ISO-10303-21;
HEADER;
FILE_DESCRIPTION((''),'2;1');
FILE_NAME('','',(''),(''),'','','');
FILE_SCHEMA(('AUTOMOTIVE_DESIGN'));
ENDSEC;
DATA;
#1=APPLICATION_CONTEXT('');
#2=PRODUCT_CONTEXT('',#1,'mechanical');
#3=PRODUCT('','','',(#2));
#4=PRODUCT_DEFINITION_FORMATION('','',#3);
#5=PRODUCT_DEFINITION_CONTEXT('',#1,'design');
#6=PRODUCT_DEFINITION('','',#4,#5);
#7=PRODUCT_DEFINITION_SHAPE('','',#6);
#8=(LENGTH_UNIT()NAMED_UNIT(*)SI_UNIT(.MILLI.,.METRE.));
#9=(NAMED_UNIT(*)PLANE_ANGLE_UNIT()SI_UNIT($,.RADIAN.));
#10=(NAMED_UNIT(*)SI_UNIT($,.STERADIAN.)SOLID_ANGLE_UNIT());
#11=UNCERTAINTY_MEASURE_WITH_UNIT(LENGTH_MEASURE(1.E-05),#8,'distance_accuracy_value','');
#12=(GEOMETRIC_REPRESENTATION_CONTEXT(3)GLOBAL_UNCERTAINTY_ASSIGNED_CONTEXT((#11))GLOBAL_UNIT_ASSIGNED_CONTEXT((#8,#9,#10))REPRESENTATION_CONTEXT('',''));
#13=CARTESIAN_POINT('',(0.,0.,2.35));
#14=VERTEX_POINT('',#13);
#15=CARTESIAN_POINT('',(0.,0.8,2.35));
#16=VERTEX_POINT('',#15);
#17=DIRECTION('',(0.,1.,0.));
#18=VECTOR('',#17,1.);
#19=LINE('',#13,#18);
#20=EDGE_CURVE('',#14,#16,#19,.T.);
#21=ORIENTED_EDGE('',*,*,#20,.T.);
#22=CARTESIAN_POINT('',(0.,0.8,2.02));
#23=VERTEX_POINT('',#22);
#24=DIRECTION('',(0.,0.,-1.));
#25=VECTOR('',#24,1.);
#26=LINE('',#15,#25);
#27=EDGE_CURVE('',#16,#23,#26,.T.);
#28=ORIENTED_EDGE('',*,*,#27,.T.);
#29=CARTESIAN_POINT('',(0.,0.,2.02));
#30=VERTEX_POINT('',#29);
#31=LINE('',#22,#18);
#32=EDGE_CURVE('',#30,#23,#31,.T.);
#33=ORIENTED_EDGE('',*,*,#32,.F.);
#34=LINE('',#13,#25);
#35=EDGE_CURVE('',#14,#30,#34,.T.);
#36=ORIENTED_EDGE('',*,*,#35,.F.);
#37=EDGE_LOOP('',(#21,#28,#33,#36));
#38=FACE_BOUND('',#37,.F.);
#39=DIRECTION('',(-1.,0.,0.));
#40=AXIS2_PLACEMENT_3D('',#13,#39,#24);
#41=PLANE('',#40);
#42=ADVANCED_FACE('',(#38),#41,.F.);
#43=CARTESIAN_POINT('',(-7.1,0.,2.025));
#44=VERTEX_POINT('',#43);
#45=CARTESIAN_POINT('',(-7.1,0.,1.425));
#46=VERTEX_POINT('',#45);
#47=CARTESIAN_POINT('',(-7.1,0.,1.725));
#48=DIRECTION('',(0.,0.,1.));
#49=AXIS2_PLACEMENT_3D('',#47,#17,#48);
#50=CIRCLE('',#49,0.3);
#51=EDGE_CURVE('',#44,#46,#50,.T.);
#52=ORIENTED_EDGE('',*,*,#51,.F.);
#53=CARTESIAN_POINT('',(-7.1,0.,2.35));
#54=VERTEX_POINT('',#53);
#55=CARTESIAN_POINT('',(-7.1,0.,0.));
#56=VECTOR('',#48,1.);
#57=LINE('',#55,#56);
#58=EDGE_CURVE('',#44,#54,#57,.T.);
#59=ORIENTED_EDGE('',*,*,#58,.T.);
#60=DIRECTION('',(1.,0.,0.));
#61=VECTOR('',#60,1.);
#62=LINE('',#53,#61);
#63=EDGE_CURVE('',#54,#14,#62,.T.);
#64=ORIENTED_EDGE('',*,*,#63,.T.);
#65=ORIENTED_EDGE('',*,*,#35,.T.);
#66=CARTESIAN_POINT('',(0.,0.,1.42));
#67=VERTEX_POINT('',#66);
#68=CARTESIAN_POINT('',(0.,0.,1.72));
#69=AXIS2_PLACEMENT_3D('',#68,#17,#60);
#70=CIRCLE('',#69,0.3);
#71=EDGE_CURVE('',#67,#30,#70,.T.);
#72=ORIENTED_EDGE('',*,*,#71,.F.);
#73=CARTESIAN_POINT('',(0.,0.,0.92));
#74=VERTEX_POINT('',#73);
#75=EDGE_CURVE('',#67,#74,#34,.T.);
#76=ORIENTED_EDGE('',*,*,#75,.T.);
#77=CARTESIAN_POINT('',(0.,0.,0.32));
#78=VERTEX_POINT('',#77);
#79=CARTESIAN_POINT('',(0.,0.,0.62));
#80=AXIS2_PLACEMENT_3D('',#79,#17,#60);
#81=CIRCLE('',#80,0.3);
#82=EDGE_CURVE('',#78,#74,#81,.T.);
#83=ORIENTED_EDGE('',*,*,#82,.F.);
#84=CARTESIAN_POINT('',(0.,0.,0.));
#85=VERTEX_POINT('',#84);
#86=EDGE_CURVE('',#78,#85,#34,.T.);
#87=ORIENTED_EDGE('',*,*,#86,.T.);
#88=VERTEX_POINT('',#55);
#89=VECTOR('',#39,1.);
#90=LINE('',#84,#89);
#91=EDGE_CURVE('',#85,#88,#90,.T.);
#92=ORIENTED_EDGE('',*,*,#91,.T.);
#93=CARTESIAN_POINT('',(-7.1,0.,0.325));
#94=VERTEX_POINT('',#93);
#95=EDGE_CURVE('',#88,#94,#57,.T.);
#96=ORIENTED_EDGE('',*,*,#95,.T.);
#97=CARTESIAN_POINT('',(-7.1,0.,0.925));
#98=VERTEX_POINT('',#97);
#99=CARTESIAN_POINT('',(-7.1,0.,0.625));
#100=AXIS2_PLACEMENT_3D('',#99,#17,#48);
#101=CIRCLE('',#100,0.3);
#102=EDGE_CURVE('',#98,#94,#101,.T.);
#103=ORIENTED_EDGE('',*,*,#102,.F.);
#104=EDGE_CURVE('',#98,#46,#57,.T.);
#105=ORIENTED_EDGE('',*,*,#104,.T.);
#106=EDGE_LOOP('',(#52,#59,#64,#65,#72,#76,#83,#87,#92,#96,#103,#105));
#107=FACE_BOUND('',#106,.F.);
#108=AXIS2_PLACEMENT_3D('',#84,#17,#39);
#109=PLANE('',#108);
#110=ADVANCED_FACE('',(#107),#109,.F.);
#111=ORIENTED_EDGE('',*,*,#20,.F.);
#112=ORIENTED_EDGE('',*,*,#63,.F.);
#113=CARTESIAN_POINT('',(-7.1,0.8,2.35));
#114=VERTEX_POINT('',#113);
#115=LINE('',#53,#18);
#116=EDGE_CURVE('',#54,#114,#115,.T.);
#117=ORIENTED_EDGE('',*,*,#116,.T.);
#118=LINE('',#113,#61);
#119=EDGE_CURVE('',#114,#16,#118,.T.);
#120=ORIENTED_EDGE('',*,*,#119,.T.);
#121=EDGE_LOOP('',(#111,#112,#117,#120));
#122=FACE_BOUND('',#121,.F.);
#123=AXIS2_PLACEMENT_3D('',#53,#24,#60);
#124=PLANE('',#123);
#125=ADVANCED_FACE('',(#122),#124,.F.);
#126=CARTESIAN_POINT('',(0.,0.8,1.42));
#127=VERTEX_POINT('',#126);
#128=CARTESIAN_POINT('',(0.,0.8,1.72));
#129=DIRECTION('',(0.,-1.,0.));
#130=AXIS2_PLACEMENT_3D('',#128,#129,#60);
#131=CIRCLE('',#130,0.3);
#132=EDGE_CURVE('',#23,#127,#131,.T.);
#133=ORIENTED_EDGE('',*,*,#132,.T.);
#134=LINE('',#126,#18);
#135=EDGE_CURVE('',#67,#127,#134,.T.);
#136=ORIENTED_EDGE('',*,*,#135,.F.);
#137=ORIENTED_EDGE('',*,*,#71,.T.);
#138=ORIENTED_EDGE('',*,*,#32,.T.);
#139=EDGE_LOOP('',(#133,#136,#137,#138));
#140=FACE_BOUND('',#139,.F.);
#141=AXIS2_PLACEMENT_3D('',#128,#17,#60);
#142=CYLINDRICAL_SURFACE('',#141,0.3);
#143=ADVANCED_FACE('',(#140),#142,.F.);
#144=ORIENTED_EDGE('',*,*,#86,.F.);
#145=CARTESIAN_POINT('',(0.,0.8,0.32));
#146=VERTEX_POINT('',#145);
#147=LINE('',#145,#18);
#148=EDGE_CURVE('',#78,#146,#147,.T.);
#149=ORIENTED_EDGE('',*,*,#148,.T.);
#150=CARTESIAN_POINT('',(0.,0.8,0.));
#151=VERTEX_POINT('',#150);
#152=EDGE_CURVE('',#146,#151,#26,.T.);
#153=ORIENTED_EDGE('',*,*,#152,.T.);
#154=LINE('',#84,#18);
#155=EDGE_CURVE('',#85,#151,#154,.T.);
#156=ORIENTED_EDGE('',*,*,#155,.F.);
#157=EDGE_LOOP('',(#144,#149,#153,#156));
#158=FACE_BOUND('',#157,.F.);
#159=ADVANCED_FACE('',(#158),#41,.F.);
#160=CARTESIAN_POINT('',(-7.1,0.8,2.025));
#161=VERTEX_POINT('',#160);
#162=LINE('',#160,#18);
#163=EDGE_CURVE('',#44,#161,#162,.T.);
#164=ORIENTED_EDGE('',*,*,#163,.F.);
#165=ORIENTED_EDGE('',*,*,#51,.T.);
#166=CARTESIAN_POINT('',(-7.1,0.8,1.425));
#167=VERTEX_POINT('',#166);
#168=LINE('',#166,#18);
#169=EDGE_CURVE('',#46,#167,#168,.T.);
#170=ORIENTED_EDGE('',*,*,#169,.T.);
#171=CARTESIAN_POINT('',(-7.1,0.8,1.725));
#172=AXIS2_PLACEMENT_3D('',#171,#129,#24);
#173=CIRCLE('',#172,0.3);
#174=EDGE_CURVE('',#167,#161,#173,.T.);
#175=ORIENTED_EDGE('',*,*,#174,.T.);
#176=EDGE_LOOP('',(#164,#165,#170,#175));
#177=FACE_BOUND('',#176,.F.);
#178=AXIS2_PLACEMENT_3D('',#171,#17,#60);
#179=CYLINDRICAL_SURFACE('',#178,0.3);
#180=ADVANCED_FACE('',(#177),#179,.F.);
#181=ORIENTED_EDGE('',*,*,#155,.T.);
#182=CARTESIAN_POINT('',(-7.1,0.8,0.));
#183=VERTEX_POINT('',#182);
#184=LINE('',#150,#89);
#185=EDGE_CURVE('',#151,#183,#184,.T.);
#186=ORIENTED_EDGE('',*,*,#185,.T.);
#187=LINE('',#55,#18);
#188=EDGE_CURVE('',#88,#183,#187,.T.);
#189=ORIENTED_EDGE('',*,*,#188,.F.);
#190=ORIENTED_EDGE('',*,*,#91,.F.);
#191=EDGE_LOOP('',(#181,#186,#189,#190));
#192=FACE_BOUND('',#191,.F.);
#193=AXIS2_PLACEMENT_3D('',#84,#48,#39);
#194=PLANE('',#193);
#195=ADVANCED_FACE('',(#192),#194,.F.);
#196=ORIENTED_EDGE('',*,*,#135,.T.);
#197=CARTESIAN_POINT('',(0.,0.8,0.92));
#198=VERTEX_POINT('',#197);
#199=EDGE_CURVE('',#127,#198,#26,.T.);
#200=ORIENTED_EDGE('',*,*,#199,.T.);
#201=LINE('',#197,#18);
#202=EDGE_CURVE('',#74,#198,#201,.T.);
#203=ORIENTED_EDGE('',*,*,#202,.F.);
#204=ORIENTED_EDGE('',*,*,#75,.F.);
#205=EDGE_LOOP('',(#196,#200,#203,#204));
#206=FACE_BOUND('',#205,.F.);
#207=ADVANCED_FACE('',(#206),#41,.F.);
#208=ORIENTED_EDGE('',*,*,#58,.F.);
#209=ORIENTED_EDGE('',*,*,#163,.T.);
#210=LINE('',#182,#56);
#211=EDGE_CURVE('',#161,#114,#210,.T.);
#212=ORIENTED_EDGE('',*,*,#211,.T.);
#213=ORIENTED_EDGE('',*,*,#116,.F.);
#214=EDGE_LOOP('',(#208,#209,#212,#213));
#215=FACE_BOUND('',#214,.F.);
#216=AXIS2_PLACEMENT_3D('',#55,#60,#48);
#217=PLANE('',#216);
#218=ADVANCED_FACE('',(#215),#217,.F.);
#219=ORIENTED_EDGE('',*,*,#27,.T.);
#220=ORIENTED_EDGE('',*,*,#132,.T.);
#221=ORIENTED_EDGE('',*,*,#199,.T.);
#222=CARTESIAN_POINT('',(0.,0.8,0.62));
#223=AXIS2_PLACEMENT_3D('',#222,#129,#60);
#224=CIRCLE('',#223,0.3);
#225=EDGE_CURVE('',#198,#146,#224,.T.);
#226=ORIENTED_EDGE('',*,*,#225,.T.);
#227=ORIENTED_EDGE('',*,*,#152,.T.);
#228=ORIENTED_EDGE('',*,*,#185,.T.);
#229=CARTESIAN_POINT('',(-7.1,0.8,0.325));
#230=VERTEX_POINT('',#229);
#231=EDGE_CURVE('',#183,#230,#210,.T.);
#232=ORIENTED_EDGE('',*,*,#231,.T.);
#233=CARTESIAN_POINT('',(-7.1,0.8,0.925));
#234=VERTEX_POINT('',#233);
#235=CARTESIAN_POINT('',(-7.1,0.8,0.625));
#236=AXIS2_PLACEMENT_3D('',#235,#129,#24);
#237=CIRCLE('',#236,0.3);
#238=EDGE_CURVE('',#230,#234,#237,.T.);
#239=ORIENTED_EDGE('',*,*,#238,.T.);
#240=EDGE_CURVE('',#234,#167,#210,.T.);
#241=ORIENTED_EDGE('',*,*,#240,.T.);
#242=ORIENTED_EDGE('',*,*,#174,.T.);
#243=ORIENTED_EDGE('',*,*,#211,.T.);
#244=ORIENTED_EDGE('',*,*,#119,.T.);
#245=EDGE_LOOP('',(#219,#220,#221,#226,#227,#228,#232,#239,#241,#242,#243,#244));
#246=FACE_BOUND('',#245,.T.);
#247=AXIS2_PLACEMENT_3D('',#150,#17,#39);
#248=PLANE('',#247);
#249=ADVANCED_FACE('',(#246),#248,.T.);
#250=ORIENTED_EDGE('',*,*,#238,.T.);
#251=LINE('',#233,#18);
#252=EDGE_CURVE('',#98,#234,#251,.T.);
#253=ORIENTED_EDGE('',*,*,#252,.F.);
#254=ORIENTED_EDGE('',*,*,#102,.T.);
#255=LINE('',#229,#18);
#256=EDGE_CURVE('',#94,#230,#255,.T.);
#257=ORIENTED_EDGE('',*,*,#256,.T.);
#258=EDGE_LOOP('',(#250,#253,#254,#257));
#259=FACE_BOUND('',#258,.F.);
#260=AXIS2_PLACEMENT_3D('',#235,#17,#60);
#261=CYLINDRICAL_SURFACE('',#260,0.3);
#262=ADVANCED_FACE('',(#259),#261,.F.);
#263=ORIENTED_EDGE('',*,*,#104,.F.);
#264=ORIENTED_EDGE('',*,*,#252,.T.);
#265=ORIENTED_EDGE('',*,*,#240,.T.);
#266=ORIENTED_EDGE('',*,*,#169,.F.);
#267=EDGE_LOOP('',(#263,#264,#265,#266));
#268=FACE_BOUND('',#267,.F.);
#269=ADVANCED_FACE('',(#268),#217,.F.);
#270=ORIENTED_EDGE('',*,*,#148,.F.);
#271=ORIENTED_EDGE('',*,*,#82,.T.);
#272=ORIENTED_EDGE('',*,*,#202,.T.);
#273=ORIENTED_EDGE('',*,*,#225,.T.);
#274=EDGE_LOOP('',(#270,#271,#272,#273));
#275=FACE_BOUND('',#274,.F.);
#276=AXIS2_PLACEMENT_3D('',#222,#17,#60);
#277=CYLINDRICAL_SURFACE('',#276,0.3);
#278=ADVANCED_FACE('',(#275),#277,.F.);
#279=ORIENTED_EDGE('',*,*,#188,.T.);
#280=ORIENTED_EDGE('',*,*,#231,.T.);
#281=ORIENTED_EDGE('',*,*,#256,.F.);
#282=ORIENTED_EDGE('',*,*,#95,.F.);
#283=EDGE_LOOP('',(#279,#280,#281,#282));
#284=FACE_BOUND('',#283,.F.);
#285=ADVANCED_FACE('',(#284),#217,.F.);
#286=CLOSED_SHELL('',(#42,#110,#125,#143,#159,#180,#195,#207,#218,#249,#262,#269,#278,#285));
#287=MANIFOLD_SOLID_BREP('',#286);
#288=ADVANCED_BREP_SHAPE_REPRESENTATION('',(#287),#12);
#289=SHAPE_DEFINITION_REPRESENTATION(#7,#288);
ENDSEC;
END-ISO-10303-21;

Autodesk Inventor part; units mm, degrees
ref_plane "YZ Plane" through (0, 0, 0) normal (1, 0, 0) x (0, 1, 0)
ref_plane "XZ Plane" through (0, 0, 0) normal (0, 1, 0) x (-1, 0, 0)
ref_plane "XY Plane" through (0, 0, 0) normal (0, 0, 1) x (1, 0, 0)
sketch "Skizze1" plane through (0, 0, 0) normal (0, 1, 0) x (-1, 0, 0)
  line L0 (0, 0) -> (7.1, 0)
  line L1 (7.1, 0) -> (7.1, 2.35)
  line L2 (7.1, 2.35) -> (0, 2.35)
  line L3 (0, 2.35) -> (0, 0)
  dimension "d0" = 7.1
  dimension "d1" = 2.35
extrude "Extrusion1" add sketch "Skizze1" along normal blind 0.8
sketch "Skizze2" plane through (0, 0.8, 0) normal (0, 1, 0) x (1, 0, 0)
  line L0 (0, 0) -> (-7.1, 0) projected
  line L1 (-7.1, 0) -> (-7.1, -2.35) projected
  line L2 (0, -2.35) -> (0, 0) projected
  circle A0 centre (0, -0.62) radius 0.3
  circle A1 centre (0, -1.72) radius 0.3
  circle A2 centre (-7.1, -0.625) radius 0.3
  circle A3 centre (-7.1, -1.725) radius 0.3
  dimension "d4" = 0.6
  dimension "d5" = 0.6
  dimension "d6" = 0.6
  dimension "d7" = 0.6
  dimension "d8" = 1.1
  dimension "d9" = 1.1
  dimension "d10" = 0.625
  dimension "d11" = 0.62
extrude "Extrusion2" cut sketch "Skizze2" against normal through all
properties part number "bottom_pcb"
